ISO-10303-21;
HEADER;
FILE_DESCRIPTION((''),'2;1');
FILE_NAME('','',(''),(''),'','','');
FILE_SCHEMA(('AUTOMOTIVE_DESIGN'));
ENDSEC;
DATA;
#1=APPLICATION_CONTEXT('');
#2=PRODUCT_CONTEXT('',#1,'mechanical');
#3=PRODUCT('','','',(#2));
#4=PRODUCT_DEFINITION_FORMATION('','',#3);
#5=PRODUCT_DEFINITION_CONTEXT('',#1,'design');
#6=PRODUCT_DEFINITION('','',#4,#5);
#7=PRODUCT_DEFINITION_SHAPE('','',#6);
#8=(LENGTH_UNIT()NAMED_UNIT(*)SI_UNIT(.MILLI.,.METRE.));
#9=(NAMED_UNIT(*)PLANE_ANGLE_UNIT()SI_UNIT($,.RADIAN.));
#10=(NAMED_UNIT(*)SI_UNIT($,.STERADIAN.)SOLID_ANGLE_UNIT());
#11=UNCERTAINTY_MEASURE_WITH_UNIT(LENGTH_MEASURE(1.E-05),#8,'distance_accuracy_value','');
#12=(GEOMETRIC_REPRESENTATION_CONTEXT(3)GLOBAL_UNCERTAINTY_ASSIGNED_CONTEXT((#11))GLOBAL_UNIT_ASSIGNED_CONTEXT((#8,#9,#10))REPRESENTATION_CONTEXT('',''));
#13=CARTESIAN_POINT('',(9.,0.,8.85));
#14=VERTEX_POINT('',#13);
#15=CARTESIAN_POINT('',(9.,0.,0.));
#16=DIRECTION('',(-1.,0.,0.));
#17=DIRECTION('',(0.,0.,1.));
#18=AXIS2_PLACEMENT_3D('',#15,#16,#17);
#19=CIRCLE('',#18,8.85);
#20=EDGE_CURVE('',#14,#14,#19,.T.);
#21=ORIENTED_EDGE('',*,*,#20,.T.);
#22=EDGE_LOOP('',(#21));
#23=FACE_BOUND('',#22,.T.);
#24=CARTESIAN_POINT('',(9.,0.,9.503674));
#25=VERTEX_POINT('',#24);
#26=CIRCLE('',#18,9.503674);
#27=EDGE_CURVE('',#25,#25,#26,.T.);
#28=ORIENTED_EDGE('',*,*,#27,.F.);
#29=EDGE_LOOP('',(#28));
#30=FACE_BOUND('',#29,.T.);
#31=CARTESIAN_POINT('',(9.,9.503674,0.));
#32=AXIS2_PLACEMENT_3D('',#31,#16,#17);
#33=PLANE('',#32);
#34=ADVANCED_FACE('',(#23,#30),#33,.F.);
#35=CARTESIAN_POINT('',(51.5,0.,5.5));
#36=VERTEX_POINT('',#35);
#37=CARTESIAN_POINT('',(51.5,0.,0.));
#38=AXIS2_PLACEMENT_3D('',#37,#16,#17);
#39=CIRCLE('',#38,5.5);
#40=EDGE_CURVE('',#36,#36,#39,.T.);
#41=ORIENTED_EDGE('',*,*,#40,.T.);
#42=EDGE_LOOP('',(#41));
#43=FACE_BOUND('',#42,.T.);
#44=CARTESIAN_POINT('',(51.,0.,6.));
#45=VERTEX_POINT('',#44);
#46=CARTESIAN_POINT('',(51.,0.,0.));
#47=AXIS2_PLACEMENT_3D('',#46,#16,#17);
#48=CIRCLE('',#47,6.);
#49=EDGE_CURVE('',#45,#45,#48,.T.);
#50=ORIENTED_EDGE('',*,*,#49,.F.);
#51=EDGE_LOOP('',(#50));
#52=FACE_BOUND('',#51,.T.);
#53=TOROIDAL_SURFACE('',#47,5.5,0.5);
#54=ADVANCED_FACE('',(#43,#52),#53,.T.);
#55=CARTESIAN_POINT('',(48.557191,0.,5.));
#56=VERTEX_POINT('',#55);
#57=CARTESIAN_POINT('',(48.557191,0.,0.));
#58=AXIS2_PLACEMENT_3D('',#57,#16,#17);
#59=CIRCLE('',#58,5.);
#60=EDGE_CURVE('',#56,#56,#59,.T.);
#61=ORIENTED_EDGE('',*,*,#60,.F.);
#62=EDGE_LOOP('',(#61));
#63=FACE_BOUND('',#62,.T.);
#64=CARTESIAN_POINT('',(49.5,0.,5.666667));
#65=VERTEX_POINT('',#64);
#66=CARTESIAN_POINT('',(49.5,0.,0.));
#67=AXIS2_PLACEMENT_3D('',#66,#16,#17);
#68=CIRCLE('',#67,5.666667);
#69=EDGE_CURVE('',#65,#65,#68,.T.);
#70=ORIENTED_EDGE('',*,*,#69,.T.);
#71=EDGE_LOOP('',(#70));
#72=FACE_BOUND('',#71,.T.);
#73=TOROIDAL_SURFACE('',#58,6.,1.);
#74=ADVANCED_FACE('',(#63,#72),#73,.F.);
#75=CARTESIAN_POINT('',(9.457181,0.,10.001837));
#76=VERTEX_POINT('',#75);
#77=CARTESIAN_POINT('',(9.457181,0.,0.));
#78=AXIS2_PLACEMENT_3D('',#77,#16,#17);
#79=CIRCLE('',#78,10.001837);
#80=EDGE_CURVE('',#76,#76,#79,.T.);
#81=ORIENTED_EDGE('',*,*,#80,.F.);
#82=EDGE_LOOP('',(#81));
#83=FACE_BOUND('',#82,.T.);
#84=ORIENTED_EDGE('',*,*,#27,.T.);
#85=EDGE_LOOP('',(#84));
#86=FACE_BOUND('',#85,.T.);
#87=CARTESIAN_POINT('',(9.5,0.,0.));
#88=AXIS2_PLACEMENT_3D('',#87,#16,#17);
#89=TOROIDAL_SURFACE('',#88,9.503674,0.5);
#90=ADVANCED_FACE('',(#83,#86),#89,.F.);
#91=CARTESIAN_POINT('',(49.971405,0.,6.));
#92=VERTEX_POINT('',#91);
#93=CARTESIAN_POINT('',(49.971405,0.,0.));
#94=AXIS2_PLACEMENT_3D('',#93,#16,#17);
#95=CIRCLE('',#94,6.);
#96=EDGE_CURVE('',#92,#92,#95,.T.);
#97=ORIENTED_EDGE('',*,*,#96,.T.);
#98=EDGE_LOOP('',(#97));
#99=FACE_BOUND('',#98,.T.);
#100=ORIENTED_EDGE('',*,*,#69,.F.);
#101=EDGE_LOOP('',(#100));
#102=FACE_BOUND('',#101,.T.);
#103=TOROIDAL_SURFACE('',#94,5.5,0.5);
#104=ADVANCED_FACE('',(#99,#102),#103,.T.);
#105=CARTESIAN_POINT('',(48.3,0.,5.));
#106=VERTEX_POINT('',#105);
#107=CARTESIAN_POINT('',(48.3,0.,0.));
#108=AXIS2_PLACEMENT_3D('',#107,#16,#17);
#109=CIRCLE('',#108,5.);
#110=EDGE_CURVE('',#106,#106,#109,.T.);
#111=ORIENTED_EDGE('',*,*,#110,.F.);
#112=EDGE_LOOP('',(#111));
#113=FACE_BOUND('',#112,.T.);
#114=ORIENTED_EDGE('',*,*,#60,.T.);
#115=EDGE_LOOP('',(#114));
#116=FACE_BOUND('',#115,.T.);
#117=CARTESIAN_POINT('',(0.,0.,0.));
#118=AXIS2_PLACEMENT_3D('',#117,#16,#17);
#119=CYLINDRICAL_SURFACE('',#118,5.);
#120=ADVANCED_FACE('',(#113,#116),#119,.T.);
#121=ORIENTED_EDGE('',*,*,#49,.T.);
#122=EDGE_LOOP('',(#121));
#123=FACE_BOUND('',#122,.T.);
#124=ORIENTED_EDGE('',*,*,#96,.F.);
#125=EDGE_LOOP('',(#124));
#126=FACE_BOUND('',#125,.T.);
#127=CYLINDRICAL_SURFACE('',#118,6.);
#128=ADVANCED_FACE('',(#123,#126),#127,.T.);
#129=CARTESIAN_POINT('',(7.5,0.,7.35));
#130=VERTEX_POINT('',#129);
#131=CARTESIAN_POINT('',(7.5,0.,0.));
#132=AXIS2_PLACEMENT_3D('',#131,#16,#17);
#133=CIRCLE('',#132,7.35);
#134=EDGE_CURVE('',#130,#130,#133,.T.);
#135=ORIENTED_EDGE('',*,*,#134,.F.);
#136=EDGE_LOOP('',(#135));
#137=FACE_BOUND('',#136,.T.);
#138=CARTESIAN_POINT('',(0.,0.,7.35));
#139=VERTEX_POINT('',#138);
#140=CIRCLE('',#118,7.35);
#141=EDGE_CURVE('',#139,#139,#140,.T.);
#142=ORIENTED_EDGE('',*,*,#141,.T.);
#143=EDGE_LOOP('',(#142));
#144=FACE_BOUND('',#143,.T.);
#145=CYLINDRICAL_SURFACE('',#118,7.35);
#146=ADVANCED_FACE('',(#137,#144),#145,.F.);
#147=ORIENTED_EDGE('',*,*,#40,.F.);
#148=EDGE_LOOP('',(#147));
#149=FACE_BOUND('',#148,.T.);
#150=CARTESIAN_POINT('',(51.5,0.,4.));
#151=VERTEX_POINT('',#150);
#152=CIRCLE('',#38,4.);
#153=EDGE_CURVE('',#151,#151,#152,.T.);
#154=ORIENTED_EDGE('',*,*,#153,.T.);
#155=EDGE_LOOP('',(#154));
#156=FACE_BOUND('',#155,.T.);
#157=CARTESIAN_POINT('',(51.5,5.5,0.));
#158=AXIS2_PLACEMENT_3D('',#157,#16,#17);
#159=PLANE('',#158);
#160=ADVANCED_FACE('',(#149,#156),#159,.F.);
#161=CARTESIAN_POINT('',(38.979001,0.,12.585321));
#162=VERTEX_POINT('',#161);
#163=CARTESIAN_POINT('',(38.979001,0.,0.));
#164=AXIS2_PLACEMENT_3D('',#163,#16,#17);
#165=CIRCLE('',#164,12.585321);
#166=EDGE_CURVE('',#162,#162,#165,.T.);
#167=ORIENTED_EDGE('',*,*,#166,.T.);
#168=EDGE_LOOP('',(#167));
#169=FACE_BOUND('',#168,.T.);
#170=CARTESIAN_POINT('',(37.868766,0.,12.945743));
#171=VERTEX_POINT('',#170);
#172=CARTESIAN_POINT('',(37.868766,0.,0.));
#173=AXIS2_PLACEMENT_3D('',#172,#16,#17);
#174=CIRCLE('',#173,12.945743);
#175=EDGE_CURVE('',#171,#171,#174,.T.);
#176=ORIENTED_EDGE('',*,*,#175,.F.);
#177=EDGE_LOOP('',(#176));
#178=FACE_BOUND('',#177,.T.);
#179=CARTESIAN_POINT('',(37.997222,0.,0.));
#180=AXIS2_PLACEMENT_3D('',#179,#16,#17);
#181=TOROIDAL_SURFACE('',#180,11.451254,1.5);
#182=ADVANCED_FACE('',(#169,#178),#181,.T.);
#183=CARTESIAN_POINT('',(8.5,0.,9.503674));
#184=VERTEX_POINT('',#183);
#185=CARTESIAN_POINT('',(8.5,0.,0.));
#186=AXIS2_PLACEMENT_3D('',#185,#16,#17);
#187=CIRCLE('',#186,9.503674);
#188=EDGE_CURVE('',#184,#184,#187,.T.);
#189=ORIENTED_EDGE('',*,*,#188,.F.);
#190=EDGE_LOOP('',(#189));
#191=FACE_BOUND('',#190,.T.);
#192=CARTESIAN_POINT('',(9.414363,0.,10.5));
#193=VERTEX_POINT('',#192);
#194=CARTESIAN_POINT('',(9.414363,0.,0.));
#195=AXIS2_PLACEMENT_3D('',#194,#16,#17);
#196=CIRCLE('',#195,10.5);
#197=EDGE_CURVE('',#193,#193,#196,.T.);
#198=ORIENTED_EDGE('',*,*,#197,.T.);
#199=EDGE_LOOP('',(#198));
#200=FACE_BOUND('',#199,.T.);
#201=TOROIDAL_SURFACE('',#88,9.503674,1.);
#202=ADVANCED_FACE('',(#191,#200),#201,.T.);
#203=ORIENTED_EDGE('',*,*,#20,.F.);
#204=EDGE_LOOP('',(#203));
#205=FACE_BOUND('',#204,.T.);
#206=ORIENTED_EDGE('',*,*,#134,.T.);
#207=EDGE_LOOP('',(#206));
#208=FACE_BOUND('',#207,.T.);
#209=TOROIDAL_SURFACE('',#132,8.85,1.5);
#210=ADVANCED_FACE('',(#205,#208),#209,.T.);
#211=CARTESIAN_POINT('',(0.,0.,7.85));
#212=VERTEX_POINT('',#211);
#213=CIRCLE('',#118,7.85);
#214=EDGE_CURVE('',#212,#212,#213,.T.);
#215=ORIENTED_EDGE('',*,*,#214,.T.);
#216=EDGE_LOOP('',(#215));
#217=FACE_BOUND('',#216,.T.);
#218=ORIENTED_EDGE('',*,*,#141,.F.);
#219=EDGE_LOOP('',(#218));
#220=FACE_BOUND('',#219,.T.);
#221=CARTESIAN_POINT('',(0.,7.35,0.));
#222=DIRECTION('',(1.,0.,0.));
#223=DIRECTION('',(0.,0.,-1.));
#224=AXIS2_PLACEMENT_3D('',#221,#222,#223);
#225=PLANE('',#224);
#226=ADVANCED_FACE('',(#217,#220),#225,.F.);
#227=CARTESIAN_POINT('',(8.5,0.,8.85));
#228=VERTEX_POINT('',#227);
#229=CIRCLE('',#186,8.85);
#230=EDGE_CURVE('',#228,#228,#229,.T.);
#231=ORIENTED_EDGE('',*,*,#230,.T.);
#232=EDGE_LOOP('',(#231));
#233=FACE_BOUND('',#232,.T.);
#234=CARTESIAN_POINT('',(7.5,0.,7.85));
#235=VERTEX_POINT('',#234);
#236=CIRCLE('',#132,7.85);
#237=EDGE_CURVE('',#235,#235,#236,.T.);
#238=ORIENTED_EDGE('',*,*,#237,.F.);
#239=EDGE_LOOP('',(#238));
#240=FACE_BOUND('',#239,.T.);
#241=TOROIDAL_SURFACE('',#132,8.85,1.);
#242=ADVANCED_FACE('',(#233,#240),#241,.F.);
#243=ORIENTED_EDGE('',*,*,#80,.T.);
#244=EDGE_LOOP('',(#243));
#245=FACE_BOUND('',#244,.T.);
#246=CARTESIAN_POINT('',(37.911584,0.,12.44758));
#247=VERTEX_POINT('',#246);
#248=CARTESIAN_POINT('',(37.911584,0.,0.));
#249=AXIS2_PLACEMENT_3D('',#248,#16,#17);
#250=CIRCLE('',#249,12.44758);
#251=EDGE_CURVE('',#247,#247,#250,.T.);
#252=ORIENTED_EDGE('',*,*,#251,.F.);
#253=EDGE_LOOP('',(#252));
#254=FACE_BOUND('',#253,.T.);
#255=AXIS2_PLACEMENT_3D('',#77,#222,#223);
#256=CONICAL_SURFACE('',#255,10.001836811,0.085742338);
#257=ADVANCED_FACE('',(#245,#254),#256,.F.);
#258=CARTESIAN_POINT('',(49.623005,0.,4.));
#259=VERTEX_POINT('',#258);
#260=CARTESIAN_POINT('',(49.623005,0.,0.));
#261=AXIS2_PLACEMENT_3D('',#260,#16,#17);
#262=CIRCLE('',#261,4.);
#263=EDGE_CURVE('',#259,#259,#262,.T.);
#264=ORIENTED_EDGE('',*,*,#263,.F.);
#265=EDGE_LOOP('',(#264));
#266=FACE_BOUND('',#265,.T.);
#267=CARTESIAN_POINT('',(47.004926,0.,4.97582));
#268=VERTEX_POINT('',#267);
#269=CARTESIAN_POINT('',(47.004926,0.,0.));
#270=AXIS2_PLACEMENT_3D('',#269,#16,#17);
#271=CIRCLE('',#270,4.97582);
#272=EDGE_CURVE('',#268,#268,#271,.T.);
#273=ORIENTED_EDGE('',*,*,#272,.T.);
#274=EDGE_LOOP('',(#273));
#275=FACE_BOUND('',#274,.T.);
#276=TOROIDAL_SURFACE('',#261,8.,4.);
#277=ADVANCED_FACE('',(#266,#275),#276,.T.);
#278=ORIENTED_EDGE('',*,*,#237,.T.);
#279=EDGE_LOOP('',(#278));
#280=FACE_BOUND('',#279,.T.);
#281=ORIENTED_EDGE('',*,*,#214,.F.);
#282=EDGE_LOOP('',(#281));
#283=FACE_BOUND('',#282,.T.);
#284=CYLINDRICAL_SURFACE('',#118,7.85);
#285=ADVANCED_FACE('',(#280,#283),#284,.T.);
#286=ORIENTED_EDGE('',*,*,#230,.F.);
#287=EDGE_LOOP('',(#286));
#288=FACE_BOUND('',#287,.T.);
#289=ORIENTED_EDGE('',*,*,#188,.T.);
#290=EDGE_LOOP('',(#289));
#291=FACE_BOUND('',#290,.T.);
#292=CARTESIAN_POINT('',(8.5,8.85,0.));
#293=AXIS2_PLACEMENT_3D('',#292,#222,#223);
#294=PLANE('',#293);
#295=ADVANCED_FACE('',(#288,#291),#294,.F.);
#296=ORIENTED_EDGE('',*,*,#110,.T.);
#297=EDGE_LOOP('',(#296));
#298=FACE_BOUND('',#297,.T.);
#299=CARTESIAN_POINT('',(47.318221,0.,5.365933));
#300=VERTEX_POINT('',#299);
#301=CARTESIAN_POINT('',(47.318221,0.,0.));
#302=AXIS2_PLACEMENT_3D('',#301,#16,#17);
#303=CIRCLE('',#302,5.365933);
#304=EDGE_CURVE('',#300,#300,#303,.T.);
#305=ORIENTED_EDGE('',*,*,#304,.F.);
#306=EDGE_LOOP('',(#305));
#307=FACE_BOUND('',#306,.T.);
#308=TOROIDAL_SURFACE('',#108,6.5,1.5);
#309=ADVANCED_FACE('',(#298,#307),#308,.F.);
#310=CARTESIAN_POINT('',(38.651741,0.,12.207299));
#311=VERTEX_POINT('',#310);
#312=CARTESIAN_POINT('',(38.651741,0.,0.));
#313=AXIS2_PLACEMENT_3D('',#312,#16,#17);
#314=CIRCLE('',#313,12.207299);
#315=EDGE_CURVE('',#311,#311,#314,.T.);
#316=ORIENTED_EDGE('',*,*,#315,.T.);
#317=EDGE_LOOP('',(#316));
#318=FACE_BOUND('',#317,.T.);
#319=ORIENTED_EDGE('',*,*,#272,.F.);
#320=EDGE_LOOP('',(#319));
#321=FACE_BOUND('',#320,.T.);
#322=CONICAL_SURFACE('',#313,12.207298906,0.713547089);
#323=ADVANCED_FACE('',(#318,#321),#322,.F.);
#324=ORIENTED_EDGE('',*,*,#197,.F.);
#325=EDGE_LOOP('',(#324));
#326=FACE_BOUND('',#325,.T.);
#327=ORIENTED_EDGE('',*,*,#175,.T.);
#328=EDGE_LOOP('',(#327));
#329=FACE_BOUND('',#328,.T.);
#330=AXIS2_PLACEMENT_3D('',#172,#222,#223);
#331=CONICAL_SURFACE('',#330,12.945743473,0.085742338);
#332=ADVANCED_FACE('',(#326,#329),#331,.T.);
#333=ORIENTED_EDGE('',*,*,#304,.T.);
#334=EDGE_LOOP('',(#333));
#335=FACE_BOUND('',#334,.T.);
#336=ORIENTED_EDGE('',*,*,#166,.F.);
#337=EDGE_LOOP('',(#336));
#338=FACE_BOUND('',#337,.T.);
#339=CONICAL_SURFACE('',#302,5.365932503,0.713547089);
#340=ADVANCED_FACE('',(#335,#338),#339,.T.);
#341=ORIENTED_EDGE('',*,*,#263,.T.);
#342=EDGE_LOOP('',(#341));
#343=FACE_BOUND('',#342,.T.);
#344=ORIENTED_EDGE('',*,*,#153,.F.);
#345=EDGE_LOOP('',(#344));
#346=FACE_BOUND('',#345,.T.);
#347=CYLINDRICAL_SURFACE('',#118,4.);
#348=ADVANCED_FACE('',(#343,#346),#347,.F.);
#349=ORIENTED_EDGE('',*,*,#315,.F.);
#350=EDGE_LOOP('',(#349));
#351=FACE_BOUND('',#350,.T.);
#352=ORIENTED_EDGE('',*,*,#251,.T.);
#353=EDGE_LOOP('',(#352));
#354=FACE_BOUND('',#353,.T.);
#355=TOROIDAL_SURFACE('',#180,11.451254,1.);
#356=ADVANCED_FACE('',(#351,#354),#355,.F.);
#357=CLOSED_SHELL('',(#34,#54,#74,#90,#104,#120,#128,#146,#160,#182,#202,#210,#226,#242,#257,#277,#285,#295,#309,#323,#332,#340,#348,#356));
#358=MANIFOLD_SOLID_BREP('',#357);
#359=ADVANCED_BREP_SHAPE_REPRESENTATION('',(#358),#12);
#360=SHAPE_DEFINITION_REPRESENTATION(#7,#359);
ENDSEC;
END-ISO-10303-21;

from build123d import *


with BuildPart() as part:
    # Sketch1 → Revolve1 (revolve)
    with BuildSketch(Plane.XY, mode=Mode.PRIVATE) as revolve1_sk:
        with BuildLine():
            Line((0, 7.85), (7.5, 7.85))
            ThreePointArc((7.5, 7.85), (8.207106781, 8.142893219), (8.5, 8.85))
            Line((8.5, 8.85), (8.5, 9.503673623))
            ThreePointArc((8.5, 9.503673623), (8.763237719, 10.179825486), (9.414362683, 10.5))
            Line((9.414362683, 10.5), (37.868765738, 12.945743473))
            ThreePointArc((37.868765738, 12.945743473), (38.460380715, 12.87795771), (38.979001176, 12.585321404))
            Line((38.979001176, 12.585321404), (47.318220538, 5.365932503))
            ThreePointArc((47.318220538, 5.365932503), (47.776120837, 5.094457179), (48.3, 5))
            Line((48.3, 5), (48.557190958, 5))
            ThreePointArc((48.557190958, 5), (49.134541228, 5.183503419), (49.5, 5.666666667))
            ThreePointArc((49.5, 5.666666667), (49.682729386, 5.90824829), (49.971404521, 6))
            Line((49.971404521, 6), (51, 6))
            ThreePointArc((51, 6), (51.353553391, 5.853553391), (51.5, 5.5))
            Line((51.5, 5.5), (51.5, 4))
            Line((51.5, 4), (49.62300461, 4))
            ThreePointArc((49.62300461, 4), (48.225993509, 4.25188581), (47.004926044, 4.975820008))
            Line((47.004926044, 4.975820008), (38.651741355, 12.207298906))
            ThreePointArc((38.651741355, 12.207298906), (38.305994381, 12.402389776), (37.911584397, 12.447580285))
            Line((37.911584397, 12.447580285), (9.457181342, 10.001836811))
            ThreePointArc((9.457181342, 10.001836811), (9.13161886, 9.841749554), (9, 9.503673623))
            Line((9, 9.503673623), (9, 8.85))
            ThreePointArc((9, 8.85), (8.560660172, 7.789339828), (7.5, 7.35))
            Line((7.5, 7.35), (0, 7.35))
            Line((0, 7.35), (0, 7.85))
        make_face()
    revolve(revolve1_sk.sketch.rotate(Axis((0, 0, 0), (1, 0, 0)), 90), axis=Axis((0, 0, 0), (1, 0, 0)))  # turned: the seam where the file's is


solid = part.part
